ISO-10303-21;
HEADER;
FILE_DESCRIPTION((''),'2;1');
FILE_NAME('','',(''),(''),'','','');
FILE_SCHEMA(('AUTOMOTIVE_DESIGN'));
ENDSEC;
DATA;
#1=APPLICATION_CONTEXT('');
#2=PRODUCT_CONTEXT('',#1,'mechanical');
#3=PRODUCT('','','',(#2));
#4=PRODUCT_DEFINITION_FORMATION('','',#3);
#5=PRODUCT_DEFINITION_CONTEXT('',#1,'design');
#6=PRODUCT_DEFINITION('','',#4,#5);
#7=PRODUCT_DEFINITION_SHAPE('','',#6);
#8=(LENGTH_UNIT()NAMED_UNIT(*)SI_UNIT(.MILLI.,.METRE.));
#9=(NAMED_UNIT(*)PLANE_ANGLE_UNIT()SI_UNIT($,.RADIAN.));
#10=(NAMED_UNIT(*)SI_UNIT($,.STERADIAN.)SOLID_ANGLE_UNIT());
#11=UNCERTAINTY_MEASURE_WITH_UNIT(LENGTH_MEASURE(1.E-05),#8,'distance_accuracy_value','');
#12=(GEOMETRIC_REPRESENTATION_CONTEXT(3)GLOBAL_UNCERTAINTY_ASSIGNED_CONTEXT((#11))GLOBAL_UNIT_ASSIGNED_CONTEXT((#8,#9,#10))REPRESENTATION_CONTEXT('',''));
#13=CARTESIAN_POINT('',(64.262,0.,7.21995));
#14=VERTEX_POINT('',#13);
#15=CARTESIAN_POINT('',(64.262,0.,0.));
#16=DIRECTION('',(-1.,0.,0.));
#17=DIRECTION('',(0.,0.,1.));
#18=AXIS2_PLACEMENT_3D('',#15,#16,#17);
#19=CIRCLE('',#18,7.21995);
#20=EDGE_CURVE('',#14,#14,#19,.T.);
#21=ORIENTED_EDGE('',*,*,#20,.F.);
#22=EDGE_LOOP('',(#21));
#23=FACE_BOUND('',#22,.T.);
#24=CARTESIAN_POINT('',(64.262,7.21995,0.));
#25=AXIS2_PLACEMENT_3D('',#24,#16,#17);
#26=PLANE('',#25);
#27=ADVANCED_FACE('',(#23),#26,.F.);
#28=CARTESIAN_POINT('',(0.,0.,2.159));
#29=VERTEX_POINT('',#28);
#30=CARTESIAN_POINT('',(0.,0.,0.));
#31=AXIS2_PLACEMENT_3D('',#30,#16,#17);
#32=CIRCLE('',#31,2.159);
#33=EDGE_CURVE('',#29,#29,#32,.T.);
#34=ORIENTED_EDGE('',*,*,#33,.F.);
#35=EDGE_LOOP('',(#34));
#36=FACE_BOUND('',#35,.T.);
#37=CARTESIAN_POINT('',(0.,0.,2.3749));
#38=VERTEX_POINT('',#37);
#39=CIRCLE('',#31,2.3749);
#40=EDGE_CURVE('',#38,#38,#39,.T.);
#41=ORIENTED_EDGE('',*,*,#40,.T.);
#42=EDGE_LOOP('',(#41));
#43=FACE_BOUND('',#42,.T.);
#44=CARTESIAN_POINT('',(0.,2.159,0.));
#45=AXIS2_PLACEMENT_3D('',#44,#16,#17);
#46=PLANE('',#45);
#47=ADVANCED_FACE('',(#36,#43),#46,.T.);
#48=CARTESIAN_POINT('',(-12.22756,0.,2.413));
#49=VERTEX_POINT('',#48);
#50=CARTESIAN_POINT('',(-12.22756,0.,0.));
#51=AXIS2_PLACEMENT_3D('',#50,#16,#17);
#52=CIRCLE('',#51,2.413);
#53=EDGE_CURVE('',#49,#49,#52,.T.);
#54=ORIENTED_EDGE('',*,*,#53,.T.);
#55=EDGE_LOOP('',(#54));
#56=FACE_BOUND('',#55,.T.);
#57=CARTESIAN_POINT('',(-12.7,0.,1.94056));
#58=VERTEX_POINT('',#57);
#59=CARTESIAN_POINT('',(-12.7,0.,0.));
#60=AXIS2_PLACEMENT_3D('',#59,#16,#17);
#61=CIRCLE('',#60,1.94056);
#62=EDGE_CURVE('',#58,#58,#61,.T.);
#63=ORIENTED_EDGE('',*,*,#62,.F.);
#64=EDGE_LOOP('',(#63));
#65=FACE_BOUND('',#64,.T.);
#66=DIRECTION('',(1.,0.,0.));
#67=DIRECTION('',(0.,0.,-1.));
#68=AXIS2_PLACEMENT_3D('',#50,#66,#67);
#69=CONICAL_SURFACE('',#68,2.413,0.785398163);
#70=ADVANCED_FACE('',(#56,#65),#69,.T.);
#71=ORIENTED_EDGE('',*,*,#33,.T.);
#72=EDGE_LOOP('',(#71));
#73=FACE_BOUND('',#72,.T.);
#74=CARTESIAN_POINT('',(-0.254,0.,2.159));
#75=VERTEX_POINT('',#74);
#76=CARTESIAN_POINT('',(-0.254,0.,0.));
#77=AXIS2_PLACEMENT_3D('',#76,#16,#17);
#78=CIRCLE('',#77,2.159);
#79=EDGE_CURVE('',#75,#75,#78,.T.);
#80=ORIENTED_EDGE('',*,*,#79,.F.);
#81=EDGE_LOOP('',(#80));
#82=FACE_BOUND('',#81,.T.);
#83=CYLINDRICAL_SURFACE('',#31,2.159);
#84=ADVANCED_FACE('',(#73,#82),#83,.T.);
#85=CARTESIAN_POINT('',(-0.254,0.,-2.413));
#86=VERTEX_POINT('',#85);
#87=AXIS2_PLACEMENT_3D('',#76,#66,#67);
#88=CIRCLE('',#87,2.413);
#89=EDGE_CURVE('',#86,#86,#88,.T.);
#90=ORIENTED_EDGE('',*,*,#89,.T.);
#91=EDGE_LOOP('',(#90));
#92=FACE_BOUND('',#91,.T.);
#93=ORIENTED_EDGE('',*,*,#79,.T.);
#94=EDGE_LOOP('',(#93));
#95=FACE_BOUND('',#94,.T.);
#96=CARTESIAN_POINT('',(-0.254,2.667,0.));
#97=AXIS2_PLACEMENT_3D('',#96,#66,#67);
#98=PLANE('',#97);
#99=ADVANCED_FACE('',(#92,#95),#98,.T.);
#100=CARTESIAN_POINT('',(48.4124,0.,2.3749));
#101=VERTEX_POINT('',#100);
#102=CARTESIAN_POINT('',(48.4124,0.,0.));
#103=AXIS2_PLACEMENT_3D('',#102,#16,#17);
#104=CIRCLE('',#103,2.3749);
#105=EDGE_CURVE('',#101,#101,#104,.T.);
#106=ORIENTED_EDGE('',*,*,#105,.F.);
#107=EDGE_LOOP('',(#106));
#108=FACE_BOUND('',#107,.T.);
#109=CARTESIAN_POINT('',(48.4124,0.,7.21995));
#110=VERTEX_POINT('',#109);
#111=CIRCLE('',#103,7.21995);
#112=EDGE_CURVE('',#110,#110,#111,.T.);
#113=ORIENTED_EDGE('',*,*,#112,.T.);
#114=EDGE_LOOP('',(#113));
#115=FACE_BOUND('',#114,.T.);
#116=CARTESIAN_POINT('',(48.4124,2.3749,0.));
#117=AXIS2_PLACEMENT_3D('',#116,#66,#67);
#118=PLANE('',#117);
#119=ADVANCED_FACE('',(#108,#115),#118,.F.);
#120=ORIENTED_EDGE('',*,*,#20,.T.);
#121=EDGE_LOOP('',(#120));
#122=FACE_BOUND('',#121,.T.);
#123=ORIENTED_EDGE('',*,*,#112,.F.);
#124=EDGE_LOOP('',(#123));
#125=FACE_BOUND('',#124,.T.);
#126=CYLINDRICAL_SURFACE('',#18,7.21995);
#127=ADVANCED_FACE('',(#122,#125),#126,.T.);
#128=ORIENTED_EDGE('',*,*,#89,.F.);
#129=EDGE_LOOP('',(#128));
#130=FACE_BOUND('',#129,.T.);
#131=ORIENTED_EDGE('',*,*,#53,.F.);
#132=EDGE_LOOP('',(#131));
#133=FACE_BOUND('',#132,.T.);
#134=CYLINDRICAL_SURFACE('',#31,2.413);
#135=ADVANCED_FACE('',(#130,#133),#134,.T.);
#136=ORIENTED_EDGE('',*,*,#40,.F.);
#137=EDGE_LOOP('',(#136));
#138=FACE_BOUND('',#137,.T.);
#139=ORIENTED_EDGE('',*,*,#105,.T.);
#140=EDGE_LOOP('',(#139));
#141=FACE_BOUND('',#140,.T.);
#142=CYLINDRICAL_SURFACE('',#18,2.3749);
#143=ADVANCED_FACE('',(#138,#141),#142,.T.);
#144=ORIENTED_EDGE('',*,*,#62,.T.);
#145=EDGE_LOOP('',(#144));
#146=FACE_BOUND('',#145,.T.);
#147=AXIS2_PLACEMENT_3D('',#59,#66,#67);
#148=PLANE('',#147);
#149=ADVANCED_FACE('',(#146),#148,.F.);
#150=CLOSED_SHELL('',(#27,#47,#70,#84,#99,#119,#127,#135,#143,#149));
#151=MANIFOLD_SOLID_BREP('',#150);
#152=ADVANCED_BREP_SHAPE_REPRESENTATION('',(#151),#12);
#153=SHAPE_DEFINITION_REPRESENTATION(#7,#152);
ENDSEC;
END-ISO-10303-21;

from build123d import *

# Parameters (mm, degrees)
SKETCH3_W = 0.254
SKETCH3_H = 0.508


with BuildPart() as part:
    # Sketch1 → Revolve1 (revolve)
    with BuildSketch(Plane.XY):
        Polygon((0, 0), (0, 2.3749), (48.4124, 2.3749), (48.4124, 7.21995), (64.262, 7.21995), (64.262, 0), align=None)
    revolve(axis=Axis((64.262, 0, 0), (-1, 0, 0)))

    # Sketch2 → Revolve2 (revolve)
    with BuildSketch(Plane.XY):
        Polygon((-12.7, 0), (-12.7, 1.94056), (-12.22756, 2.413), (0, 2.413), (0, 0), align=None)
    revolve(axis=Axis((0, 0, 0), (-1, 0, 0)))

    # Sketch3 → Cut-Revolve1 (revolve, cut)
    with BuildSketch(Plane.XY):
        with Locations((-0.127, 2.413)):
            Rectangle(SKETCH3_W, SKETCH3_H)
    revolve(axis=Axis((0, 0, 0), (-1, 0, 0)), mode=Mode.SUBTRACT)


solid = part.part
